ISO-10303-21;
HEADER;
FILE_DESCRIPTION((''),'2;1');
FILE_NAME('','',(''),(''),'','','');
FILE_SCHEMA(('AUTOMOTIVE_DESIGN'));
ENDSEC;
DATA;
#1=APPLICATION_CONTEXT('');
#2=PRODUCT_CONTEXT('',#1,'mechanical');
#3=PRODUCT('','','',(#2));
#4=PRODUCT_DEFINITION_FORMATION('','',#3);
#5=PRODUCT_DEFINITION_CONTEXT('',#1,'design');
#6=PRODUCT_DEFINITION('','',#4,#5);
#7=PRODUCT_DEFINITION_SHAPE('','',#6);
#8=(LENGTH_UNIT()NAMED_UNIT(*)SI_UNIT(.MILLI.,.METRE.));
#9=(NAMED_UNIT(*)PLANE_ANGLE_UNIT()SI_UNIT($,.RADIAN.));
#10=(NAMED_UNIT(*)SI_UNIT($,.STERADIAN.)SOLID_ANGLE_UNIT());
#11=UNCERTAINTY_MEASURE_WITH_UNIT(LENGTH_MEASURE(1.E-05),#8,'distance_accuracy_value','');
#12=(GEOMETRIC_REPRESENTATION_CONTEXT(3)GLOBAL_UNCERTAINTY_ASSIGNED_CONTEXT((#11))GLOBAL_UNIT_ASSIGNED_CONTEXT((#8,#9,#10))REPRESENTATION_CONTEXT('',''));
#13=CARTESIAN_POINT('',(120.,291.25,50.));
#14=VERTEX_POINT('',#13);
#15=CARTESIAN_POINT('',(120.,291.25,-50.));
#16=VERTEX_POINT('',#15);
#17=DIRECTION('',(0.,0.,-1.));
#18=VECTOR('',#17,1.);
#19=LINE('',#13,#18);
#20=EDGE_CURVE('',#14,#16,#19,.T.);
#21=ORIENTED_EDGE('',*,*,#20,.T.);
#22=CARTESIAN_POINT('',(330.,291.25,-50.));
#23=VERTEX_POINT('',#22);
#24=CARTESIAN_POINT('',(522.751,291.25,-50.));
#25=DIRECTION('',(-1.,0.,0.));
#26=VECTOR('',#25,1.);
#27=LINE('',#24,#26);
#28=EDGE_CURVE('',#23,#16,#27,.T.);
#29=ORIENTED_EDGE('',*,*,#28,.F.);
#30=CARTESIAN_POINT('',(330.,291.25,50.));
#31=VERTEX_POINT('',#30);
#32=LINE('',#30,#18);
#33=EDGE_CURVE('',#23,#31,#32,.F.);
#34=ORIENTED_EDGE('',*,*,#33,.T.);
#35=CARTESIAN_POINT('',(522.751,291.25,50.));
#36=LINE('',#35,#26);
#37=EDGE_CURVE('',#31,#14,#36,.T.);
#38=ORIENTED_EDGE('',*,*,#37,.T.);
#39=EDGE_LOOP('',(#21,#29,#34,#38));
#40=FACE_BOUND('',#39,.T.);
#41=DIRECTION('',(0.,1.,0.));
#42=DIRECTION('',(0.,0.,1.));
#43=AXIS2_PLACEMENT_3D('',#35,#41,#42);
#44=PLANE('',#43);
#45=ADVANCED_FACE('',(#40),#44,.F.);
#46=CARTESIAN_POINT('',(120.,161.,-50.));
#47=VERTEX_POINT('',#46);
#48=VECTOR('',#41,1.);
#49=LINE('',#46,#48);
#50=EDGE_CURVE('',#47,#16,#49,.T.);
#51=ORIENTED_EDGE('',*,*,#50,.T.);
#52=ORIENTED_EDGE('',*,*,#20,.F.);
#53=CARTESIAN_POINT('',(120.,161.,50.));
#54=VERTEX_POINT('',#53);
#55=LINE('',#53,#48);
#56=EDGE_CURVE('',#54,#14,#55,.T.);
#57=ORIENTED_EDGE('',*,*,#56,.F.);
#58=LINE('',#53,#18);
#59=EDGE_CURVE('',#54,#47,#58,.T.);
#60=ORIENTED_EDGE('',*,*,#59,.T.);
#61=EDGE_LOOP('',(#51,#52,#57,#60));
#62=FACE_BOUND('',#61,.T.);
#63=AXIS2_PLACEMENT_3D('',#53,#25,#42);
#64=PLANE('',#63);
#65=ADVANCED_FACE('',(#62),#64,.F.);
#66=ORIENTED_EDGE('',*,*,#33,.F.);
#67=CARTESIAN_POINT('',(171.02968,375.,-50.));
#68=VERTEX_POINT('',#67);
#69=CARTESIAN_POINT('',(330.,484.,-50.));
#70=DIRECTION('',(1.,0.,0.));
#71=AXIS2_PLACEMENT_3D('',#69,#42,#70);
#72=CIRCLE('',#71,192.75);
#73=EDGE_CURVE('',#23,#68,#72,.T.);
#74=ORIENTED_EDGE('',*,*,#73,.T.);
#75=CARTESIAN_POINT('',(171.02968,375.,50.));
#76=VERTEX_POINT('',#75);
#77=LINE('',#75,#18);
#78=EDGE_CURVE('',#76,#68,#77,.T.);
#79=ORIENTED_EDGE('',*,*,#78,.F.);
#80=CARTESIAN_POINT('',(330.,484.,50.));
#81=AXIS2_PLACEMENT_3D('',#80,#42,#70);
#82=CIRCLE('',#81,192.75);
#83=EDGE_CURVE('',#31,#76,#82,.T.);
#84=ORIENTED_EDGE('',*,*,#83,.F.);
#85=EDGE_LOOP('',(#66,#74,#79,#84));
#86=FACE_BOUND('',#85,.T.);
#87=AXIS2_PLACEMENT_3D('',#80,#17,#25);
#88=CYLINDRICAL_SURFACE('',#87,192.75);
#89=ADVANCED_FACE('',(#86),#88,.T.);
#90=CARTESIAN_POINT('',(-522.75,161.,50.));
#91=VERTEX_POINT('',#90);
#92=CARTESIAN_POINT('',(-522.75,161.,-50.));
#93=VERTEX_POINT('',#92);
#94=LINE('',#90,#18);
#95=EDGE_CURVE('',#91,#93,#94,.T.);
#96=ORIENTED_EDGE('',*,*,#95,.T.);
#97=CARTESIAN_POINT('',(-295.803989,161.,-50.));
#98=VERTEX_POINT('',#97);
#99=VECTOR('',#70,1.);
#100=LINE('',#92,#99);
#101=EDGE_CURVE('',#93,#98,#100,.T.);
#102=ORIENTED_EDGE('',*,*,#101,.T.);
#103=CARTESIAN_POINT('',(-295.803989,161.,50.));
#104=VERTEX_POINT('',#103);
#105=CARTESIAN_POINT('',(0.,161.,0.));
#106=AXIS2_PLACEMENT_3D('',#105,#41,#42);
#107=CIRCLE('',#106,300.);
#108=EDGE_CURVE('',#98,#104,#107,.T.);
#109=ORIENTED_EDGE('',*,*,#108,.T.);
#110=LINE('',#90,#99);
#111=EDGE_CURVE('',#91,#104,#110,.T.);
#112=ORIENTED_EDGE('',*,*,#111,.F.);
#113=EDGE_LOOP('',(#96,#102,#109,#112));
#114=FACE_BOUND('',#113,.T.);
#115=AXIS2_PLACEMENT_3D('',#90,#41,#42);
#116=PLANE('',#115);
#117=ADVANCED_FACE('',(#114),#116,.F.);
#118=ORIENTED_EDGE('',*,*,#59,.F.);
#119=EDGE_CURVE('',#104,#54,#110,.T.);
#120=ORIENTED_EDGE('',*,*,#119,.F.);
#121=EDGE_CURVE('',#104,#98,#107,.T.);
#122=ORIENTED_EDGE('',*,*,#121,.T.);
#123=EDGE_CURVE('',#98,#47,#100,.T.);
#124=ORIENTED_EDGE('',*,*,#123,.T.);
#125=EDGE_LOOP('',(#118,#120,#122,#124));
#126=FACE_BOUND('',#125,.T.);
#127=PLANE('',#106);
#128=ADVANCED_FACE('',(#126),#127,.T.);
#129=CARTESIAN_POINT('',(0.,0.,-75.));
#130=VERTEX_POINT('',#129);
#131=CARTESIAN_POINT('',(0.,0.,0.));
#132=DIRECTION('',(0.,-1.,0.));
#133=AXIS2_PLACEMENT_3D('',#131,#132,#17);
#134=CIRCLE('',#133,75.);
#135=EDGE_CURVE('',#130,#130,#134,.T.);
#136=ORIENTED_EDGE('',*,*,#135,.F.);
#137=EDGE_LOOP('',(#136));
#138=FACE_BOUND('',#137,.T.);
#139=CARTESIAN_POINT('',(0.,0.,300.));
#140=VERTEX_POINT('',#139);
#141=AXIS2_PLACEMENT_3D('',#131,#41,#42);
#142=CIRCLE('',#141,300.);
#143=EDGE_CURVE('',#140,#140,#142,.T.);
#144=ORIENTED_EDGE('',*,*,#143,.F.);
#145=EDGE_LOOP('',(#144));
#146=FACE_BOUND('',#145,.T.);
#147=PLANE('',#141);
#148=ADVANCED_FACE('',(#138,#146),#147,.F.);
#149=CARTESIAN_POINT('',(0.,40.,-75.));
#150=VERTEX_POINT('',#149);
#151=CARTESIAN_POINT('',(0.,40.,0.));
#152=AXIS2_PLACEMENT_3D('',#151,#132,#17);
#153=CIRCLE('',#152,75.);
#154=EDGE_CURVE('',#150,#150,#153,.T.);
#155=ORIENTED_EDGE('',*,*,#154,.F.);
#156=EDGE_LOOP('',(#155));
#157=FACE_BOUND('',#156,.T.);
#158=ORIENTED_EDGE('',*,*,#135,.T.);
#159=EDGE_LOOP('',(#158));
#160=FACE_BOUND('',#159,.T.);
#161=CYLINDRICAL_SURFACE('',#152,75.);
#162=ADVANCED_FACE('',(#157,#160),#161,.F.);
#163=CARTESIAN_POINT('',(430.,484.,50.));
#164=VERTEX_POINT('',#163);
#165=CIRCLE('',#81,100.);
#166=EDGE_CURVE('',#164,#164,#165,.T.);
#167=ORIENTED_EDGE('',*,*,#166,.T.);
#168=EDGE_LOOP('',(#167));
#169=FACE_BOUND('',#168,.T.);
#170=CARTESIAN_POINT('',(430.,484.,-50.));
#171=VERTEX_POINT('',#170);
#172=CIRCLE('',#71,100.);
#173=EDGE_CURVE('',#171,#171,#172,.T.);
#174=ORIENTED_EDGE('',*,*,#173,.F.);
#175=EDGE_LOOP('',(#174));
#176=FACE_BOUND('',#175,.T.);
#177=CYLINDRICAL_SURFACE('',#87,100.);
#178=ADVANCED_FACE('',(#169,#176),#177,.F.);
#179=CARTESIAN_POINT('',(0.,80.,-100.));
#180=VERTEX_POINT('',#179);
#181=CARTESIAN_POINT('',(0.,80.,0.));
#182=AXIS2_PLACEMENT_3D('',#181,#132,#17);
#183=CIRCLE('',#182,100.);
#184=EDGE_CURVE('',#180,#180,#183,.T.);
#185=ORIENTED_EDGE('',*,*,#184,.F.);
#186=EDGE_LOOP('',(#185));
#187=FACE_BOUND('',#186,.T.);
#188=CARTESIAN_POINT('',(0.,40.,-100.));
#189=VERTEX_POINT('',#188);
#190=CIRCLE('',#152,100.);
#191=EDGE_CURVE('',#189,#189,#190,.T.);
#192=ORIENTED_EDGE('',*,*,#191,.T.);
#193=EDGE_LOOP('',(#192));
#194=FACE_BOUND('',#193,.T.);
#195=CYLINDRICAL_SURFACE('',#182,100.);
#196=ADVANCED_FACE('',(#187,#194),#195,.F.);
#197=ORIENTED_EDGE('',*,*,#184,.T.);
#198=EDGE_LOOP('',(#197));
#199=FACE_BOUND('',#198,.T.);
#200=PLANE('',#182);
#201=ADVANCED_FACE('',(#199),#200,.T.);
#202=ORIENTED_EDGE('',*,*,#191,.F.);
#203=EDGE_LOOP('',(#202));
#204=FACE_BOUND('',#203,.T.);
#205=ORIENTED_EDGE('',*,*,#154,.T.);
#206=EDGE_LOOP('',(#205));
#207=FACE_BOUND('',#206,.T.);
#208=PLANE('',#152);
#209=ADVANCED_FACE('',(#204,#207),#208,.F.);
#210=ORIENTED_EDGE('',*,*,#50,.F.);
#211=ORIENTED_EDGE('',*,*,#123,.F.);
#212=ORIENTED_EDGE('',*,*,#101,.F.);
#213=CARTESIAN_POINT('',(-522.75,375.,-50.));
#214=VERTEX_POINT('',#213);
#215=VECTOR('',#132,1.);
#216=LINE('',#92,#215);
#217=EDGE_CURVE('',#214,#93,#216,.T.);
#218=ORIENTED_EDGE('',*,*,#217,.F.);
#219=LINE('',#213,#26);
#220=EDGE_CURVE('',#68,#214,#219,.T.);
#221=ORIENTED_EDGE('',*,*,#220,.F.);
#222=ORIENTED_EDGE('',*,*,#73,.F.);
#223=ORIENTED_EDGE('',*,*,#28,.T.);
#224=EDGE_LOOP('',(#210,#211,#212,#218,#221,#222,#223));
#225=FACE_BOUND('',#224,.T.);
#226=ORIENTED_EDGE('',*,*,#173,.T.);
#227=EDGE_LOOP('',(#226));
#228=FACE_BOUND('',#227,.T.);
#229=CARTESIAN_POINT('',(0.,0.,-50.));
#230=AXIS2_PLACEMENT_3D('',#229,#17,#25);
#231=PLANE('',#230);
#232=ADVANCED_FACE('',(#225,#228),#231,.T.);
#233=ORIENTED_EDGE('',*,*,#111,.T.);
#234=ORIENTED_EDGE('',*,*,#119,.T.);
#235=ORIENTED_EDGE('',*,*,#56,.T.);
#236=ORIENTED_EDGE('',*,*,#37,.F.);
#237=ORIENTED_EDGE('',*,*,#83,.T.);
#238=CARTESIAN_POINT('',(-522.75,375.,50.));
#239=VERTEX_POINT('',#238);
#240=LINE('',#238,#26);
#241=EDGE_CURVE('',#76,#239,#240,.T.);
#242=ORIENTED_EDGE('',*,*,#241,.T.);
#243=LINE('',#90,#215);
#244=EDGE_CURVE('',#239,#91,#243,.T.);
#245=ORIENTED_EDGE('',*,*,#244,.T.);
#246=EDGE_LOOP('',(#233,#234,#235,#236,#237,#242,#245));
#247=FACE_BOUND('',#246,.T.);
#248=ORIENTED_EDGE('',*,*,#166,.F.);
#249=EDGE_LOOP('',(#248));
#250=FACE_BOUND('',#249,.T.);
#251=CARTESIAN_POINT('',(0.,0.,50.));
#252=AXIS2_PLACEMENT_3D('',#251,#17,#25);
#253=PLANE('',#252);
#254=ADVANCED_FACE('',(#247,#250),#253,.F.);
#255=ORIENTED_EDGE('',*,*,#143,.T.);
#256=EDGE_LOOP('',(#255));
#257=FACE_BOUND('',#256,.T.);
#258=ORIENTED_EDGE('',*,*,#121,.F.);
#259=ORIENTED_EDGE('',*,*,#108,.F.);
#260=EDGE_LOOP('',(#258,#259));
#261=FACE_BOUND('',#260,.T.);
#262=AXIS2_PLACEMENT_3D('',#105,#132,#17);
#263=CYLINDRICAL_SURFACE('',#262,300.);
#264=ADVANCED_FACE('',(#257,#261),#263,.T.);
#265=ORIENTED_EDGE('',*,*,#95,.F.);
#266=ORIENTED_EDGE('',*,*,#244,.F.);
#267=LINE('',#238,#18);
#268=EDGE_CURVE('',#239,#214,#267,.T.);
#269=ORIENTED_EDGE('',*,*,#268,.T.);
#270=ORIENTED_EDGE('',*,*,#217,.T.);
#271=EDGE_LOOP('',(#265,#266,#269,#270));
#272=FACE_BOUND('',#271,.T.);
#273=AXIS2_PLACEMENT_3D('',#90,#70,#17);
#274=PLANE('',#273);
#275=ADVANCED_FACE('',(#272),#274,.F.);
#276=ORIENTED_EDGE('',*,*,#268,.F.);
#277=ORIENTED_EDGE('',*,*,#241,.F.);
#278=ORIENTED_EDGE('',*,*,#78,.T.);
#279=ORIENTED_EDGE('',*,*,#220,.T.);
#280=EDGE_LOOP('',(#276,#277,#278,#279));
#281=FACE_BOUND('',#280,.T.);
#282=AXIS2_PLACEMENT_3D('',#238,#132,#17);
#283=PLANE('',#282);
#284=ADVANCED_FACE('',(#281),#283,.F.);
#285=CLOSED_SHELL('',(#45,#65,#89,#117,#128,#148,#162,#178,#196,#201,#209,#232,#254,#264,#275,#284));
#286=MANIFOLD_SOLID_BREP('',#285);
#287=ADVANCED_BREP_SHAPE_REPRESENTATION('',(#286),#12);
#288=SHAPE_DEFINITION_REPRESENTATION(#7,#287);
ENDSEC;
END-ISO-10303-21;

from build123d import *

# Parameters (mm, degrees)
SKETCH1_R                = 300
BOSS_EXTRUDE1_DEPTH      = 161
SKETCH2_R                = 192.75
SKETCH2_R_2              = 100
SKETCH2_W                = 642.75
SKETCH2_H                = 214
BOSS_EXTRUDE2_DEPTH      = 50
SKETCH3_R                = 75
CUT_EXTRUDE1_DEPTH       = 40
SKETCH4_R                = 100
CUT_EXTRUDE2_DEPTH       = 40
BOSS_EXTRUDE3_REACH      = 982.366
BOSS_EXTRUDE3_END_RADIUS = 192.75
SKETCH5_W                = 100
SKETCH5_H                = 83.75


with BuildPart() as part:
    # Sketch1 → Boss-Extrude1 (new body)
    with BuildSketch(Plane(origin=(0, 0, 0), x_dir=(1, 0, 0), z_dir=(0, 1, 0))):
        with Locations(Location((0, 0, 0), (0, 0, 270))):
            Circle(SKETCH1_R)
    extrude(amount=BOSS_EXTRUDE1_DEPTH)

    # Sketch2 → Boss-Extrude2 (add, symmetric)
    # profile 1 of 2: a face of its own
    with BuildSketch(Plane.XY):
        with Locations((330, 484)):
            Circle(SKETCH2_R)
        with Locations((330, 484)):
            Circle(SKETCH2_R_2, mode=Mode.SUBTRACT)
    # profile 2 of 2: a face of its own
    with BuildSketch(Plane.XY):
        with Locations((-201.375, 268)):
            Rectangle(SKETCH2_W, SKETCH2_H)
    extrude(amount=BOSS_EXTRUDE2_DEPTH, both=True)


with BuildPart() as boss_extrude2_piece_1:
    # of the separate pieces the step leaves, piece 1, a body of its own (boss_extrude2_pieces)
    add(part.part.solids().sort_by_distance((0, 0, 300))[0])

    # Sketch3 → Cut-Extrude1 (cut)
    with BuildSketch(Plane.XZ):
        with Locations(Location((0, 0, 0), (0, 0, 270))):
            Circle(SKETCH3_R)
    extrude(amount=-CUT_EXTRUDE1_DEPTH, mode=Mode.SUBTRACT)

    # Sketch4 → Cut-Extrude2 (cut)
    with BuildSketch(Plane.XZ.offset(-40)):
        with Locations(Location((0, 0, 0), (0, 0, 270))):
            Circle(SKETCH4_R)
    extrude(amount=-CUT_EXTRUDE2_DEPTH, mode=Mode.SUBTRACT)



with BuildPart() as boss_extrude2_piece_2:
    # of the separate pieces the step leaves, piece 2, a body of its own (boss_extrude2_pieces)
    add(part.part.solids().sort_by_distance((522.75, 484, -50))[0])


with BuildPart() as boss_extrude2_piece_1_1:
    add(boss_extrude2_piece_1.part)

    add(boss_extrude2_piece_2.part)  # Boss-Extrude3 merges Boss-Extrude2 piece 2
    # Boss-Extrude3: up to this cylinder (the profile starts outside it)
    boss_extrude3_end = Plane(origin=(330, 484, 0), z_dir=(0, 0, -1)) * Cylinder(BOSS_EXTRUDE3_END_RADIUS, 2351.232, mode=Mode.PRIVATE)
    # Sketch5 → Boss-Extrude3 (add, up to the surface)
    with BuildSketch(Plane(origin=(120, 0, 0), x_dir=(0, 0, -1), z_dir=(1, 0, 0)), mode=Mode.PRIVATE) as boss_extrude3_sk1:
        with Locations((0, 333.125)):
            Rectangle(SKETCH5_W, SKETCH5_H)
    boss_extrude3_tool1 = extrude(boss_extrude3_sk1.sketch, amount=BOSS_EXTRUDE3_REACH, mode=Mode.PRIVATE) - boss_extrude3_end
    add(boss_extrude3_tool1.solids().sort_by_distance((120, 333.125, 0))[0])


solid = boss_extrude2_piece_1_1.part
